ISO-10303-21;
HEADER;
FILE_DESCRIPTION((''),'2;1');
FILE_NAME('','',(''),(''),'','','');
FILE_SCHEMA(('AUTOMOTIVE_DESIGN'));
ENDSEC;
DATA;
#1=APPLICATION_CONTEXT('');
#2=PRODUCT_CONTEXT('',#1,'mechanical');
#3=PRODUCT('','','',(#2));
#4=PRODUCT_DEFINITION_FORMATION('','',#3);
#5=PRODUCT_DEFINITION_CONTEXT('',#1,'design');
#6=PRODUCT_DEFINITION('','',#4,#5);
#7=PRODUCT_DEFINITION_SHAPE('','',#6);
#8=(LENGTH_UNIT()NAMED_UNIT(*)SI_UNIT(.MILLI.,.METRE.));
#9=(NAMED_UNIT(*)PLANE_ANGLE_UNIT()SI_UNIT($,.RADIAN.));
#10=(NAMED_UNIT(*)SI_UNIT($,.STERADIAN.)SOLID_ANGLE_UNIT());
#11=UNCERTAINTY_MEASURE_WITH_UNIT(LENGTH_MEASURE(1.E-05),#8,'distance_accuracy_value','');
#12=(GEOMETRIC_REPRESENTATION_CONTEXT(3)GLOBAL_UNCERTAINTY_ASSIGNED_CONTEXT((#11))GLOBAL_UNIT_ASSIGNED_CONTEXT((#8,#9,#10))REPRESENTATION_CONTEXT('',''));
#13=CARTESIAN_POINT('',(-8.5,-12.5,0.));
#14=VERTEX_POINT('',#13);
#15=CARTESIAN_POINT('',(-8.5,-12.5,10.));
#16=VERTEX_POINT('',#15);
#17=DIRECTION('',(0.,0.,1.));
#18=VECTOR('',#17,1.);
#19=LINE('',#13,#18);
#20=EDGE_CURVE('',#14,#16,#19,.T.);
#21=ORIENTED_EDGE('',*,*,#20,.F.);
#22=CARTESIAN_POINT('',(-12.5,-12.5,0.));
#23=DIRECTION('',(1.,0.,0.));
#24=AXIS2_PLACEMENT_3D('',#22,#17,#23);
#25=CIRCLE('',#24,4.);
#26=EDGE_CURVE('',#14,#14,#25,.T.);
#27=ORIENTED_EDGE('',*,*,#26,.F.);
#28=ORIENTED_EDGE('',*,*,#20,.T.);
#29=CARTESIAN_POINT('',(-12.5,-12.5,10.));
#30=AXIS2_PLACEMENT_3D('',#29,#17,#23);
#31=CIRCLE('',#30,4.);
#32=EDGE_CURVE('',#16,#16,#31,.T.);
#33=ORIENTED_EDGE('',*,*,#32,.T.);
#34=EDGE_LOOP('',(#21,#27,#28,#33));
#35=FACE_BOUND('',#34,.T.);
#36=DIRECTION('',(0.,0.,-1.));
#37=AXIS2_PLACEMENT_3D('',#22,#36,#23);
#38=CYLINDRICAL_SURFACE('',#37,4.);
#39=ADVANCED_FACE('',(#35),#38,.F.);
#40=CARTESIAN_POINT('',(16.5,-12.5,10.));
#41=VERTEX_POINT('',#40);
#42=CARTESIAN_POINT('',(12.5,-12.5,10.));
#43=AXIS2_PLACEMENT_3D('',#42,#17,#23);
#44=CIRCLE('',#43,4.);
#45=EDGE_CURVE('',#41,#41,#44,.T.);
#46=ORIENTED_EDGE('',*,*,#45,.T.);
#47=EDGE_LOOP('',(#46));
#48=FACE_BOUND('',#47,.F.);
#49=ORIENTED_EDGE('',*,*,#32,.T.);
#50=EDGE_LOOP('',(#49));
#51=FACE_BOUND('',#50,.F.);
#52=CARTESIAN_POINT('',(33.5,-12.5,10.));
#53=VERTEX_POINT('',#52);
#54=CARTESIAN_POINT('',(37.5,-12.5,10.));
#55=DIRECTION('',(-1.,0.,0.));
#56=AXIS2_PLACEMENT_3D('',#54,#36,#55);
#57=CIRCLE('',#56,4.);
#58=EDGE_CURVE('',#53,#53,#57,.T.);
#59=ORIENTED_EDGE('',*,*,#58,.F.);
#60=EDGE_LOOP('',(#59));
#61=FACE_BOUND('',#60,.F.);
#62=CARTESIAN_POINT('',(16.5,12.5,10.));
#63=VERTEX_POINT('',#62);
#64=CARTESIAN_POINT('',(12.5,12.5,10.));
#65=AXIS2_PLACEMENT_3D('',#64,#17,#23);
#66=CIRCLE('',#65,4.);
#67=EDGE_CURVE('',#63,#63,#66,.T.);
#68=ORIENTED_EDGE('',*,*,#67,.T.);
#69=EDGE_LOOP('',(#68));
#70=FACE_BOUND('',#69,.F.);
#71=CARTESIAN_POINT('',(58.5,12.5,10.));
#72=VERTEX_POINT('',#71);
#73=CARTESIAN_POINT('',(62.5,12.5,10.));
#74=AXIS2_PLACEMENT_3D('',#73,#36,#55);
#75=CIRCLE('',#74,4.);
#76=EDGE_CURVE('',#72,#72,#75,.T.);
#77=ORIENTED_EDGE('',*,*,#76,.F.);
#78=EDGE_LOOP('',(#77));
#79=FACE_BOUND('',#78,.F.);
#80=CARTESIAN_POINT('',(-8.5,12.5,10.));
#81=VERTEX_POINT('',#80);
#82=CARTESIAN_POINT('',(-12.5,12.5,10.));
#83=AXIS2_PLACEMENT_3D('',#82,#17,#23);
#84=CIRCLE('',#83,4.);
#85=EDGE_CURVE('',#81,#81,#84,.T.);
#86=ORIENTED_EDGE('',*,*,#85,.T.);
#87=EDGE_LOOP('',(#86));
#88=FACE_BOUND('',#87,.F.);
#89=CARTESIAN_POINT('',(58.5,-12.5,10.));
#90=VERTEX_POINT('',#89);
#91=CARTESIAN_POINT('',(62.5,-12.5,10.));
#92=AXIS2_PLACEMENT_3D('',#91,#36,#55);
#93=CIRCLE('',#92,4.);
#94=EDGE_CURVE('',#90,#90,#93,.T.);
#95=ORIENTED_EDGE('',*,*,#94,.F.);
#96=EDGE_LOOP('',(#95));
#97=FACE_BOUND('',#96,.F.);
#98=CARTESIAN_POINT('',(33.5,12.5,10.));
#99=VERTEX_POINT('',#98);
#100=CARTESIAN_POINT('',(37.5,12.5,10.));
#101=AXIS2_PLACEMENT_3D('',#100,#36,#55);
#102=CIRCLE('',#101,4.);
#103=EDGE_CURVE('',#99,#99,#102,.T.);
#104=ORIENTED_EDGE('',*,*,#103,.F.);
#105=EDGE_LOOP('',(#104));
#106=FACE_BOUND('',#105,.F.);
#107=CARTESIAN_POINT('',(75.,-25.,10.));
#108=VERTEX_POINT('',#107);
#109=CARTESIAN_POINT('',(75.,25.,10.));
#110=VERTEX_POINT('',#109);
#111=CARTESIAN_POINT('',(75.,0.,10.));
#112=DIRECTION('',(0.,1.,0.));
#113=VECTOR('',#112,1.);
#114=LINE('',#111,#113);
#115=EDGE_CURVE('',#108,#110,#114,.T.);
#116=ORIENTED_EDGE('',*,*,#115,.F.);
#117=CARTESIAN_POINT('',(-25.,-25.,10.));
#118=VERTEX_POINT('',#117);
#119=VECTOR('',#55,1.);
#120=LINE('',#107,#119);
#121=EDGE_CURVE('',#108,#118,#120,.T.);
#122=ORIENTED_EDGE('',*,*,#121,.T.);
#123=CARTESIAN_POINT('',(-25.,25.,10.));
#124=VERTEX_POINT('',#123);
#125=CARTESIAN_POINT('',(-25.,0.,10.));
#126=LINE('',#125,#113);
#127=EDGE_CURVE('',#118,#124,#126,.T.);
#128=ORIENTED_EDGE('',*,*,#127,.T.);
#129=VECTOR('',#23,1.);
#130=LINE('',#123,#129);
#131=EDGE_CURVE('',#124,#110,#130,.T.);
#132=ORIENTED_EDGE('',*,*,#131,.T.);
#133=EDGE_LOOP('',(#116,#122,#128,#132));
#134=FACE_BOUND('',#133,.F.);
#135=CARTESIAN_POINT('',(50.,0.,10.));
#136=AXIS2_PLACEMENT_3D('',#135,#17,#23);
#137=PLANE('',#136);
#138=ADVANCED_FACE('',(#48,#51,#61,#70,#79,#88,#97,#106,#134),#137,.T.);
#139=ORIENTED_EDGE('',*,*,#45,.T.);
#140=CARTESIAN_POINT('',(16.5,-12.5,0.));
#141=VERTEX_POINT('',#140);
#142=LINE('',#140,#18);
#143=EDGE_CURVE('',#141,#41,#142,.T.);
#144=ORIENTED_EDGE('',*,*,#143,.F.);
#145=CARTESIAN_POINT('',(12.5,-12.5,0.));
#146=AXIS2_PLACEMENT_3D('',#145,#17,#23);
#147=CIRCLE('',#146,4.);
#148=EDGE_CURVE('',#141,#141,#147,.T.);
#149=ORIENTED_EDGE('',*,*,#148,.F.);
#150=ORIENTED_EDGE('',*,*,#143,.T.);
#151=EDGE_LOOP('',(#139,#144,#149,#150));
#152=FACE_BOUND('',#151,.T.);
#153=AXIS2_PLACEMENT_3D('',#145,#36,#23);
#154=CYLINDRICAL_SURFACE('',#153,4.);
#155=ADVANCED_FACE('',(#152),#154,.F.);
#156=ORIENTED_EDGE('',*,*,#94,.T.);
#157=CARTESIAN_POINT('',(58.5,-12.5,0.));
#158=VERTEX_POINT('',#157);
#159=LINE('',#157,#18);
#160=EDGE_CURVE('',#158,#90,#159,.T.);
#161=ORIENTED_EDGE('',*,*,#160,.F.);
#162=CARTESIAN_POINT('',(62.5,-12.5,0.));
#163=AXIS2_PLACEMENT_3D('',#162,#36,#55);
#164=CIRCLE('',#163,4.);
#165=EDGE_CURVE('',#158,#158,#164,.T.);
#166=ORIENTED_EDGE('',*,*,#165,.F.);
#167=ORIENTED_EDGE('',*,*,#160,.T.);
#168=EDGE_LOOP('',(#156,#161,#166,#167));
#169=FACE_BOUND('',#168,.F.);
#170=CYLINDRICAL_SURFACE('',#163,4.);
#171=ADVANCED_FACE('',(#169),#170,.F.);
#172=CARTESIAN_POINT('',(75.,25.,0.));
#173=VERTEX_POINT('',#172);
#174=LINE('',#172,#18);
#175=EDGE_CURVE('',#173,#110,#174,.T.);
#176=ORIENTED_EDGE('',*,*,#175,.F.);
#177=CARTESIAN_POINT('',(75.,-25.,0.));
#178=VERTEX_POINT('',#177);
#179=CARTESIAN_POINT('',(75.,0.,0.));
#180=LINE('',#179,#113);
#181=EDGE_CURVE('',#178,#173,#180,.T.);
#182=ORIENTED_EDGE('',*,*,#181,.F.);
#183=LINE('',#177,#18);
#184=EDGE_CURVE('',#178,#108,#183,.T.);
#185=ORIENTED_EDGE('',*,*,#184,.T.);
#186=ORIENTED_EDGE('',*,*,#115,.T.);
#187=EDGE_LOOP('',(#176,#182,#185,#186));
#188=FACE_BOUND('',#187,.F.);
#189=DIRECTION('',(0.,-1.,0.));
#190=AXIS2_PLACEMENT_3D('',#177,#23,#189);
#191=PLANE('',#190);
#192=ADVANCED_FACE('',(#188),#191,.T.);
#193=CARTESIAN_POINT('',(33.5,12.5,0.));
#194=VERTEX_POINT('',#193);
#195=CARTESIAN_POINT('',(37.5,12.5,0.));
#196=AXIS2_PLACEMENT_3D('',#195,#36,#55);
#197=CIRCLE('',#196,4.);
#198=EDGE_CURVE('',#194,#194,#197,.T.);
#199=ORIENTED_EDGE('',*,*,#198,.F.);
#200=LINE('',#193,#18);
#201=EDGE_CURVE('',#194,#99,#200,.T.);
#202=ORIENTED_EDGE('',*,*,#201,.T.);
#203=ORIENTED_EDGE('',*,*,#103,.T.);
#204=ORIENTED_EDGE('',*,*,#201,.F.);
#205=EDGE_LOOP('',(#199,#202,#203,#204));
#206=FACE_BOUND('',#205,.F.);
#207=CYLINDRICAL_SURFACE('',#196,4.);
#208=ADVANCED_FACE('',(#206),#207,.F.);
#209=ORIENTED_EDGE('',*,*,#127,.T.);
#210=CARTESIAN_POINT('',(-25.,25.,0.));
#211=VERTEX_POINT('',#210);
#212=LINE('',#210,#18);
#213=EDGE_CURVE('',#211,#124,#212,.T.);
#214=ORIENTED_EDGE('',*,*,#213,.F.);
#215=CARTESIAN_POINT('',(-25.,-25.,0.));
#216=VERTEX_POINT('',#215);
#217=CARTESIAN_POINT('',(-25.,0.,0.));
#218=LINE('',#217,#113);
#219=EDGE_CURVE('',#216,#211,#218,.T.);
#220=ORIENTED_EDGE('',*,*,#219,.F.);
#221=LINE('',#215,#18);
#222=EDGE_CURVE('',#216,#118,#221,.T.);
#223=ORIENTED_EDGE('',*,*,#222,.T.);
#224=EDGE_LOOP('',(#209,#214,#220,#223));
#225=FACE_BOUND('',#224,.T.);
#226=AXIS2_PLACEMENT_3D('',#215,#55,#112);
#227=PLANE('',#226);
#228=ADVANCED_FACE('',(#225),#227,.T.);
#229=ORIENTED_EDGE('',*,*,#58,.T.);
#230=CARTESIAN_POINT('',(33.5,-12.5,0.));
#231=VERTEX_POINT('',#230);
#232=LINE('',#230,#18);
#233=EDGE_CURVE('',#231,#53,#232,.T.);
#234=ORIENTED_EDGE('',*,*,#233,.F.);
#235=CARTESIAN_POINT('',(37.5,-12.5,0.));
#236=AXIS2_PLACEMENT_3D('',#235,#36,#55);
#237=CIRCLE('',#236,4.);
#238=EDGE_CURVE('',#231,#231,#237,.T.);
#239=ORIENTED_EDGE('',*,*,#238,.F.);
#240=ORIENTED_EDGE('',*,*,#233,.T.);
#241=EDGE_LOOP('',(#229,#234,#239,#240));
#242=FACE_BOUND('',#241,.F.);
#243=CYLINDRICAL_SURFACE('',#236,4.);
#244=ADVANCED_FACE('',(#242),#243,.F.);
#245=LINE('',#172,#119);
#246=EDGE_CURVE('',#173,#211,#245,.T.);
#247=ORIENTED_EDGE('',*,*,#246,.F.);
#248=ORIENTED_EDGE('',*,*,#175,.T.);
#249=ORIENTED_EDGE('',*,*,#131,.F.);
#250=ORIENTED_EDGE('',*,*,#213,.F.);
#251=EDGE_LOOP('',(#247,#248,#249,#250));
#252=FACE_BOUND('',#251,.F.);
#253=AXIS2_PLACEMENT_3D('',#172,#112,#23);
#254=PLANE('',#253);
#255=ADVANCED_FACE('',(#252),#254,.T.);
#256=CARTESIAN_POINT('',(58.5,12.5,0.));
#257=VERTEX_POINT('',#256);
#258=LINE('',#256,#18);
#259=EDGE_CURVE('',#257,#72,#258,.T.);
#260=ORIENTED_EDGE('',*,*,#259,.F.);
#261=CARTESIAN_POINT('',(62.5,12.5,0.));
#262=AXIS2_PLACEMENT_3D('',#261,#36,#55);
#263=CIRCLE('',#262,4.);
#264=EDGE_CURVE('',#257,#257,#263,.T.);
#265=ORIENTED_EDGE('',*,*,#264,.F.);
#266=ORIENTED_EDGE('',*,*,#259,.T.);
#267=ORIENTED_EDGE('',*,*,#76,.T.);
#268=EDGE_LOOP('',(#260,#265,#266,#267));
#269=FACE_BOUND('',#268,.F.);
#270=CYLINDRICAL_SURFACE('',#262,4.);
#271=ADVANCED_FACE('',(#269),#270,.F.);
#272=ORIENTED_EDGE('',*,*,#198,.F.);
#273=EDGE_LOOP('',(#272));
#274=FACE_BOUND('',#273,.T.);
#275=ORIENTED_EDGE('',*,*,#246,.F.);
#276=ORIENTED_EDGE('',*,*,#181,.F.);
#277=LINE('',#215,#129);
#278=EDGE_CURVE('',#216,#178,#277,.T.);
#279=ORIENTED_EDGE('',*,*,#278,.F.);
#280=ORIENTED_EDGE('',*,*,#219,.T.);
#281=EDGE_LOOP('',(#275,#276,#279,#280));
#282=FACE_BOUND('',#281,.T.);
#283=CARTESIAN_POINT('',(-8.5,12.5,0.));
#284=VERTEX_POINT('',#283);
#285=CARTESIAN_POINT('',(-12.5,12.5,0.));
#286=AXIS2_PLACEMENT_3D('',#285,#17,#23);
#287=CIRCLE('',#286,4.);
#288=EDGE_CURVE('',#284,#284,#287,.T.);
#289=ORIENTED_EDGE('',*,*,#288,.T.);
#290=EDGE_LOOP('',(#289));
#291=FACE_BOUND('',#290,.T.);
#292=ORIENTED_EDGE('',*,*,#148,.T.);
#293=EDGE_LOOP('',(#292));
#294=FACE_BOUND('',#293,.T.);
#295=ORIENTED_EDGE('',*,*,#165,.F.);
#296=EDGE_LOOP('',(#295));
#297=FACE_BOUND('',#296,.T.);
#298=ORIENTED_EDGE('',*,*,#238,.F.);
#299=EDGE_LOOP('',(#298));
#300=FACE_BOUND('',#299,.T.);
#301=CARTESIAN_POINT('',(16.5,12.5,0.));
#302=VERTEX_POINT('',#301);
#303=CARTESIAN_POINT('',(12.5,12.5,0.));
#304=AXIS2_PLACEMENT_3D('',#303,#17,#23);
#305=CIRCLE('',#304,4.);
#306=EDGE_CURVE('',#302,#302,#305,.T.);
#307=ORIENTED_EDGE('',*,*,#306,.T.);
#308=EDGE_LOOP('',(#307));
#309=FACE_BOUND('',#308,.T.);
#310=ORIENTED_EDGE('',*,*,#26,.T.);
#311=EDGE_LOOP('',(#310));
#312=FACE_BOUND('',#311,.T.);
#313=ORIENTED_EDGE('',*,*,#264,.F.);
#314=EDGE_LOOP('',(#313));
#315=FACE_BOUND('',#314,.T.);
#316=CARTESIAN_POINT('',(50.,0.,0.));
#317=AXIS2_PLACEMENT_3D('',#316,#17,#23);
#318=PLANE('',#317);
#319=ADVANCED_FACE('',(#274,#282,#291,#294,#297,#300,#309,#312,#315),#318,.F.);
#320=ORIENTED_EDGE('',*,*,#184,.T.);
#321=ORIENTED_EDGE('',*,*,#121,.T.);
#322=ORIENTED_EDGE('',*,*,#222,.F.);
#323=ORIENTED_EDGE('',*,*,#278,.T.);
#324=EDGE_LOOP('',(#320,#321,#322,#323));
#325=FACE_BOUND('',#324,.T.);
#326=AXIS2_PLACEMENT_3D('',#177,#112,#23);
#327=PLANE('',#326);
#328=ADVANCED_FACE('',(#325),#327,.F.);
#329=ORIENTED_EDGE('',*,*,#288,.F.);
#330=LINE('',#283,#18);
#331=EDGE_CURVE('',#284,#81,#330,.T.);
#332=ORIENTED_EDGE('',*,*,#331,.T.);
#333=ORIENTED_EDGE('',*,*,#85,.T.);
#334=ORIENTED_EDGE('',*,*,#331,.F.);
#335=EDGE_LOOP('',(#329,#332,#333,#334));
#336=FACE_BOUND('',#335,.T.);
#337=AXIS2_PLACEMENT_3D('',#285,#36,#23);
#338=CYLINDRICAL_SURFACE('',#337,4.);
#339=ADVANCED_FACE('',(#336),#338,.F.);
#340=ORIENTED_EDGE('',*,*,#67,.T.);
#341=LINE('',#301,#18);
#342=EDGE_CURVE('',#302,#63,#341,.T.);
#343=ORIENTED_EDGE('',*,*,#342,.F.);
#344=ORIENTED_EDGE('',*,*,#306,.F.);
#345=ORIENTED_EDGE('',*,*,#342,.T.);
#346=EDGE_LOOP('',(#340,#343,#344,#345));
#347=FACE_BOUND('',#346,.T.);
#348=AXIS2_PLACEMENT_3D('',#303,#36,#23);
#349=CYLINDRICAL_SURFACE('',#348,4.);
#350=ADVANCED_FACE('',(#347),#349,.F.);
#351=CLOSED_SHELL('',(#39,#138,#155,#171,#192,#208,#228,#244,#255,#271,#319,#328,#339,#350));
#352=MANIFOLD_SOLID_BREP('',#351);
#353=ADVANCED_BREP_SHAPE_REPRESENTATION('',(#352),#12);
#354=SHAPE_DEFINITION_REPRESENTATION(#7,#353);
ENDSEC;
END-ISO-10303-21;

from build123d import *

# Parameters (mm, degrees)
SKETCH_W  = 50
SKETCH_H  = 50
SKETCH_R  = 4
PAD_DEPTH = 10


with BuildPart() as part:
    # Sketch → Pad (new body)
    with BuildSketch(Plane.XY):
        Rectangle(SKETCH_W, SKETCH_H)
        with Locations((12.5, 12.5)):
            Circle(SKETCH_R, mode=Mode.SUBTRACT)
        with Locations((-12.5, 12.5)):
            Circle(SKETCH_R, mode=Mode.SUBTRACT)
        with Locations((12.5, -12.5)):
            Circle(SKETCH_R, mode=Mode.SUBTRACT)
        with Locations((-12.5, -12.5)):
            Circle(SKETCH_R, mode=Mode.SUBTRACT)
    pad = extrude(amount=PAD_DEPTH)

    # Mirrored: Pad across face of Pad
    add(pad.mirror(Plane(origin=(25, 0, 5), x_dir=(0, 1, 0), z_dir=(1, 0, 0))))


solid = part.part
